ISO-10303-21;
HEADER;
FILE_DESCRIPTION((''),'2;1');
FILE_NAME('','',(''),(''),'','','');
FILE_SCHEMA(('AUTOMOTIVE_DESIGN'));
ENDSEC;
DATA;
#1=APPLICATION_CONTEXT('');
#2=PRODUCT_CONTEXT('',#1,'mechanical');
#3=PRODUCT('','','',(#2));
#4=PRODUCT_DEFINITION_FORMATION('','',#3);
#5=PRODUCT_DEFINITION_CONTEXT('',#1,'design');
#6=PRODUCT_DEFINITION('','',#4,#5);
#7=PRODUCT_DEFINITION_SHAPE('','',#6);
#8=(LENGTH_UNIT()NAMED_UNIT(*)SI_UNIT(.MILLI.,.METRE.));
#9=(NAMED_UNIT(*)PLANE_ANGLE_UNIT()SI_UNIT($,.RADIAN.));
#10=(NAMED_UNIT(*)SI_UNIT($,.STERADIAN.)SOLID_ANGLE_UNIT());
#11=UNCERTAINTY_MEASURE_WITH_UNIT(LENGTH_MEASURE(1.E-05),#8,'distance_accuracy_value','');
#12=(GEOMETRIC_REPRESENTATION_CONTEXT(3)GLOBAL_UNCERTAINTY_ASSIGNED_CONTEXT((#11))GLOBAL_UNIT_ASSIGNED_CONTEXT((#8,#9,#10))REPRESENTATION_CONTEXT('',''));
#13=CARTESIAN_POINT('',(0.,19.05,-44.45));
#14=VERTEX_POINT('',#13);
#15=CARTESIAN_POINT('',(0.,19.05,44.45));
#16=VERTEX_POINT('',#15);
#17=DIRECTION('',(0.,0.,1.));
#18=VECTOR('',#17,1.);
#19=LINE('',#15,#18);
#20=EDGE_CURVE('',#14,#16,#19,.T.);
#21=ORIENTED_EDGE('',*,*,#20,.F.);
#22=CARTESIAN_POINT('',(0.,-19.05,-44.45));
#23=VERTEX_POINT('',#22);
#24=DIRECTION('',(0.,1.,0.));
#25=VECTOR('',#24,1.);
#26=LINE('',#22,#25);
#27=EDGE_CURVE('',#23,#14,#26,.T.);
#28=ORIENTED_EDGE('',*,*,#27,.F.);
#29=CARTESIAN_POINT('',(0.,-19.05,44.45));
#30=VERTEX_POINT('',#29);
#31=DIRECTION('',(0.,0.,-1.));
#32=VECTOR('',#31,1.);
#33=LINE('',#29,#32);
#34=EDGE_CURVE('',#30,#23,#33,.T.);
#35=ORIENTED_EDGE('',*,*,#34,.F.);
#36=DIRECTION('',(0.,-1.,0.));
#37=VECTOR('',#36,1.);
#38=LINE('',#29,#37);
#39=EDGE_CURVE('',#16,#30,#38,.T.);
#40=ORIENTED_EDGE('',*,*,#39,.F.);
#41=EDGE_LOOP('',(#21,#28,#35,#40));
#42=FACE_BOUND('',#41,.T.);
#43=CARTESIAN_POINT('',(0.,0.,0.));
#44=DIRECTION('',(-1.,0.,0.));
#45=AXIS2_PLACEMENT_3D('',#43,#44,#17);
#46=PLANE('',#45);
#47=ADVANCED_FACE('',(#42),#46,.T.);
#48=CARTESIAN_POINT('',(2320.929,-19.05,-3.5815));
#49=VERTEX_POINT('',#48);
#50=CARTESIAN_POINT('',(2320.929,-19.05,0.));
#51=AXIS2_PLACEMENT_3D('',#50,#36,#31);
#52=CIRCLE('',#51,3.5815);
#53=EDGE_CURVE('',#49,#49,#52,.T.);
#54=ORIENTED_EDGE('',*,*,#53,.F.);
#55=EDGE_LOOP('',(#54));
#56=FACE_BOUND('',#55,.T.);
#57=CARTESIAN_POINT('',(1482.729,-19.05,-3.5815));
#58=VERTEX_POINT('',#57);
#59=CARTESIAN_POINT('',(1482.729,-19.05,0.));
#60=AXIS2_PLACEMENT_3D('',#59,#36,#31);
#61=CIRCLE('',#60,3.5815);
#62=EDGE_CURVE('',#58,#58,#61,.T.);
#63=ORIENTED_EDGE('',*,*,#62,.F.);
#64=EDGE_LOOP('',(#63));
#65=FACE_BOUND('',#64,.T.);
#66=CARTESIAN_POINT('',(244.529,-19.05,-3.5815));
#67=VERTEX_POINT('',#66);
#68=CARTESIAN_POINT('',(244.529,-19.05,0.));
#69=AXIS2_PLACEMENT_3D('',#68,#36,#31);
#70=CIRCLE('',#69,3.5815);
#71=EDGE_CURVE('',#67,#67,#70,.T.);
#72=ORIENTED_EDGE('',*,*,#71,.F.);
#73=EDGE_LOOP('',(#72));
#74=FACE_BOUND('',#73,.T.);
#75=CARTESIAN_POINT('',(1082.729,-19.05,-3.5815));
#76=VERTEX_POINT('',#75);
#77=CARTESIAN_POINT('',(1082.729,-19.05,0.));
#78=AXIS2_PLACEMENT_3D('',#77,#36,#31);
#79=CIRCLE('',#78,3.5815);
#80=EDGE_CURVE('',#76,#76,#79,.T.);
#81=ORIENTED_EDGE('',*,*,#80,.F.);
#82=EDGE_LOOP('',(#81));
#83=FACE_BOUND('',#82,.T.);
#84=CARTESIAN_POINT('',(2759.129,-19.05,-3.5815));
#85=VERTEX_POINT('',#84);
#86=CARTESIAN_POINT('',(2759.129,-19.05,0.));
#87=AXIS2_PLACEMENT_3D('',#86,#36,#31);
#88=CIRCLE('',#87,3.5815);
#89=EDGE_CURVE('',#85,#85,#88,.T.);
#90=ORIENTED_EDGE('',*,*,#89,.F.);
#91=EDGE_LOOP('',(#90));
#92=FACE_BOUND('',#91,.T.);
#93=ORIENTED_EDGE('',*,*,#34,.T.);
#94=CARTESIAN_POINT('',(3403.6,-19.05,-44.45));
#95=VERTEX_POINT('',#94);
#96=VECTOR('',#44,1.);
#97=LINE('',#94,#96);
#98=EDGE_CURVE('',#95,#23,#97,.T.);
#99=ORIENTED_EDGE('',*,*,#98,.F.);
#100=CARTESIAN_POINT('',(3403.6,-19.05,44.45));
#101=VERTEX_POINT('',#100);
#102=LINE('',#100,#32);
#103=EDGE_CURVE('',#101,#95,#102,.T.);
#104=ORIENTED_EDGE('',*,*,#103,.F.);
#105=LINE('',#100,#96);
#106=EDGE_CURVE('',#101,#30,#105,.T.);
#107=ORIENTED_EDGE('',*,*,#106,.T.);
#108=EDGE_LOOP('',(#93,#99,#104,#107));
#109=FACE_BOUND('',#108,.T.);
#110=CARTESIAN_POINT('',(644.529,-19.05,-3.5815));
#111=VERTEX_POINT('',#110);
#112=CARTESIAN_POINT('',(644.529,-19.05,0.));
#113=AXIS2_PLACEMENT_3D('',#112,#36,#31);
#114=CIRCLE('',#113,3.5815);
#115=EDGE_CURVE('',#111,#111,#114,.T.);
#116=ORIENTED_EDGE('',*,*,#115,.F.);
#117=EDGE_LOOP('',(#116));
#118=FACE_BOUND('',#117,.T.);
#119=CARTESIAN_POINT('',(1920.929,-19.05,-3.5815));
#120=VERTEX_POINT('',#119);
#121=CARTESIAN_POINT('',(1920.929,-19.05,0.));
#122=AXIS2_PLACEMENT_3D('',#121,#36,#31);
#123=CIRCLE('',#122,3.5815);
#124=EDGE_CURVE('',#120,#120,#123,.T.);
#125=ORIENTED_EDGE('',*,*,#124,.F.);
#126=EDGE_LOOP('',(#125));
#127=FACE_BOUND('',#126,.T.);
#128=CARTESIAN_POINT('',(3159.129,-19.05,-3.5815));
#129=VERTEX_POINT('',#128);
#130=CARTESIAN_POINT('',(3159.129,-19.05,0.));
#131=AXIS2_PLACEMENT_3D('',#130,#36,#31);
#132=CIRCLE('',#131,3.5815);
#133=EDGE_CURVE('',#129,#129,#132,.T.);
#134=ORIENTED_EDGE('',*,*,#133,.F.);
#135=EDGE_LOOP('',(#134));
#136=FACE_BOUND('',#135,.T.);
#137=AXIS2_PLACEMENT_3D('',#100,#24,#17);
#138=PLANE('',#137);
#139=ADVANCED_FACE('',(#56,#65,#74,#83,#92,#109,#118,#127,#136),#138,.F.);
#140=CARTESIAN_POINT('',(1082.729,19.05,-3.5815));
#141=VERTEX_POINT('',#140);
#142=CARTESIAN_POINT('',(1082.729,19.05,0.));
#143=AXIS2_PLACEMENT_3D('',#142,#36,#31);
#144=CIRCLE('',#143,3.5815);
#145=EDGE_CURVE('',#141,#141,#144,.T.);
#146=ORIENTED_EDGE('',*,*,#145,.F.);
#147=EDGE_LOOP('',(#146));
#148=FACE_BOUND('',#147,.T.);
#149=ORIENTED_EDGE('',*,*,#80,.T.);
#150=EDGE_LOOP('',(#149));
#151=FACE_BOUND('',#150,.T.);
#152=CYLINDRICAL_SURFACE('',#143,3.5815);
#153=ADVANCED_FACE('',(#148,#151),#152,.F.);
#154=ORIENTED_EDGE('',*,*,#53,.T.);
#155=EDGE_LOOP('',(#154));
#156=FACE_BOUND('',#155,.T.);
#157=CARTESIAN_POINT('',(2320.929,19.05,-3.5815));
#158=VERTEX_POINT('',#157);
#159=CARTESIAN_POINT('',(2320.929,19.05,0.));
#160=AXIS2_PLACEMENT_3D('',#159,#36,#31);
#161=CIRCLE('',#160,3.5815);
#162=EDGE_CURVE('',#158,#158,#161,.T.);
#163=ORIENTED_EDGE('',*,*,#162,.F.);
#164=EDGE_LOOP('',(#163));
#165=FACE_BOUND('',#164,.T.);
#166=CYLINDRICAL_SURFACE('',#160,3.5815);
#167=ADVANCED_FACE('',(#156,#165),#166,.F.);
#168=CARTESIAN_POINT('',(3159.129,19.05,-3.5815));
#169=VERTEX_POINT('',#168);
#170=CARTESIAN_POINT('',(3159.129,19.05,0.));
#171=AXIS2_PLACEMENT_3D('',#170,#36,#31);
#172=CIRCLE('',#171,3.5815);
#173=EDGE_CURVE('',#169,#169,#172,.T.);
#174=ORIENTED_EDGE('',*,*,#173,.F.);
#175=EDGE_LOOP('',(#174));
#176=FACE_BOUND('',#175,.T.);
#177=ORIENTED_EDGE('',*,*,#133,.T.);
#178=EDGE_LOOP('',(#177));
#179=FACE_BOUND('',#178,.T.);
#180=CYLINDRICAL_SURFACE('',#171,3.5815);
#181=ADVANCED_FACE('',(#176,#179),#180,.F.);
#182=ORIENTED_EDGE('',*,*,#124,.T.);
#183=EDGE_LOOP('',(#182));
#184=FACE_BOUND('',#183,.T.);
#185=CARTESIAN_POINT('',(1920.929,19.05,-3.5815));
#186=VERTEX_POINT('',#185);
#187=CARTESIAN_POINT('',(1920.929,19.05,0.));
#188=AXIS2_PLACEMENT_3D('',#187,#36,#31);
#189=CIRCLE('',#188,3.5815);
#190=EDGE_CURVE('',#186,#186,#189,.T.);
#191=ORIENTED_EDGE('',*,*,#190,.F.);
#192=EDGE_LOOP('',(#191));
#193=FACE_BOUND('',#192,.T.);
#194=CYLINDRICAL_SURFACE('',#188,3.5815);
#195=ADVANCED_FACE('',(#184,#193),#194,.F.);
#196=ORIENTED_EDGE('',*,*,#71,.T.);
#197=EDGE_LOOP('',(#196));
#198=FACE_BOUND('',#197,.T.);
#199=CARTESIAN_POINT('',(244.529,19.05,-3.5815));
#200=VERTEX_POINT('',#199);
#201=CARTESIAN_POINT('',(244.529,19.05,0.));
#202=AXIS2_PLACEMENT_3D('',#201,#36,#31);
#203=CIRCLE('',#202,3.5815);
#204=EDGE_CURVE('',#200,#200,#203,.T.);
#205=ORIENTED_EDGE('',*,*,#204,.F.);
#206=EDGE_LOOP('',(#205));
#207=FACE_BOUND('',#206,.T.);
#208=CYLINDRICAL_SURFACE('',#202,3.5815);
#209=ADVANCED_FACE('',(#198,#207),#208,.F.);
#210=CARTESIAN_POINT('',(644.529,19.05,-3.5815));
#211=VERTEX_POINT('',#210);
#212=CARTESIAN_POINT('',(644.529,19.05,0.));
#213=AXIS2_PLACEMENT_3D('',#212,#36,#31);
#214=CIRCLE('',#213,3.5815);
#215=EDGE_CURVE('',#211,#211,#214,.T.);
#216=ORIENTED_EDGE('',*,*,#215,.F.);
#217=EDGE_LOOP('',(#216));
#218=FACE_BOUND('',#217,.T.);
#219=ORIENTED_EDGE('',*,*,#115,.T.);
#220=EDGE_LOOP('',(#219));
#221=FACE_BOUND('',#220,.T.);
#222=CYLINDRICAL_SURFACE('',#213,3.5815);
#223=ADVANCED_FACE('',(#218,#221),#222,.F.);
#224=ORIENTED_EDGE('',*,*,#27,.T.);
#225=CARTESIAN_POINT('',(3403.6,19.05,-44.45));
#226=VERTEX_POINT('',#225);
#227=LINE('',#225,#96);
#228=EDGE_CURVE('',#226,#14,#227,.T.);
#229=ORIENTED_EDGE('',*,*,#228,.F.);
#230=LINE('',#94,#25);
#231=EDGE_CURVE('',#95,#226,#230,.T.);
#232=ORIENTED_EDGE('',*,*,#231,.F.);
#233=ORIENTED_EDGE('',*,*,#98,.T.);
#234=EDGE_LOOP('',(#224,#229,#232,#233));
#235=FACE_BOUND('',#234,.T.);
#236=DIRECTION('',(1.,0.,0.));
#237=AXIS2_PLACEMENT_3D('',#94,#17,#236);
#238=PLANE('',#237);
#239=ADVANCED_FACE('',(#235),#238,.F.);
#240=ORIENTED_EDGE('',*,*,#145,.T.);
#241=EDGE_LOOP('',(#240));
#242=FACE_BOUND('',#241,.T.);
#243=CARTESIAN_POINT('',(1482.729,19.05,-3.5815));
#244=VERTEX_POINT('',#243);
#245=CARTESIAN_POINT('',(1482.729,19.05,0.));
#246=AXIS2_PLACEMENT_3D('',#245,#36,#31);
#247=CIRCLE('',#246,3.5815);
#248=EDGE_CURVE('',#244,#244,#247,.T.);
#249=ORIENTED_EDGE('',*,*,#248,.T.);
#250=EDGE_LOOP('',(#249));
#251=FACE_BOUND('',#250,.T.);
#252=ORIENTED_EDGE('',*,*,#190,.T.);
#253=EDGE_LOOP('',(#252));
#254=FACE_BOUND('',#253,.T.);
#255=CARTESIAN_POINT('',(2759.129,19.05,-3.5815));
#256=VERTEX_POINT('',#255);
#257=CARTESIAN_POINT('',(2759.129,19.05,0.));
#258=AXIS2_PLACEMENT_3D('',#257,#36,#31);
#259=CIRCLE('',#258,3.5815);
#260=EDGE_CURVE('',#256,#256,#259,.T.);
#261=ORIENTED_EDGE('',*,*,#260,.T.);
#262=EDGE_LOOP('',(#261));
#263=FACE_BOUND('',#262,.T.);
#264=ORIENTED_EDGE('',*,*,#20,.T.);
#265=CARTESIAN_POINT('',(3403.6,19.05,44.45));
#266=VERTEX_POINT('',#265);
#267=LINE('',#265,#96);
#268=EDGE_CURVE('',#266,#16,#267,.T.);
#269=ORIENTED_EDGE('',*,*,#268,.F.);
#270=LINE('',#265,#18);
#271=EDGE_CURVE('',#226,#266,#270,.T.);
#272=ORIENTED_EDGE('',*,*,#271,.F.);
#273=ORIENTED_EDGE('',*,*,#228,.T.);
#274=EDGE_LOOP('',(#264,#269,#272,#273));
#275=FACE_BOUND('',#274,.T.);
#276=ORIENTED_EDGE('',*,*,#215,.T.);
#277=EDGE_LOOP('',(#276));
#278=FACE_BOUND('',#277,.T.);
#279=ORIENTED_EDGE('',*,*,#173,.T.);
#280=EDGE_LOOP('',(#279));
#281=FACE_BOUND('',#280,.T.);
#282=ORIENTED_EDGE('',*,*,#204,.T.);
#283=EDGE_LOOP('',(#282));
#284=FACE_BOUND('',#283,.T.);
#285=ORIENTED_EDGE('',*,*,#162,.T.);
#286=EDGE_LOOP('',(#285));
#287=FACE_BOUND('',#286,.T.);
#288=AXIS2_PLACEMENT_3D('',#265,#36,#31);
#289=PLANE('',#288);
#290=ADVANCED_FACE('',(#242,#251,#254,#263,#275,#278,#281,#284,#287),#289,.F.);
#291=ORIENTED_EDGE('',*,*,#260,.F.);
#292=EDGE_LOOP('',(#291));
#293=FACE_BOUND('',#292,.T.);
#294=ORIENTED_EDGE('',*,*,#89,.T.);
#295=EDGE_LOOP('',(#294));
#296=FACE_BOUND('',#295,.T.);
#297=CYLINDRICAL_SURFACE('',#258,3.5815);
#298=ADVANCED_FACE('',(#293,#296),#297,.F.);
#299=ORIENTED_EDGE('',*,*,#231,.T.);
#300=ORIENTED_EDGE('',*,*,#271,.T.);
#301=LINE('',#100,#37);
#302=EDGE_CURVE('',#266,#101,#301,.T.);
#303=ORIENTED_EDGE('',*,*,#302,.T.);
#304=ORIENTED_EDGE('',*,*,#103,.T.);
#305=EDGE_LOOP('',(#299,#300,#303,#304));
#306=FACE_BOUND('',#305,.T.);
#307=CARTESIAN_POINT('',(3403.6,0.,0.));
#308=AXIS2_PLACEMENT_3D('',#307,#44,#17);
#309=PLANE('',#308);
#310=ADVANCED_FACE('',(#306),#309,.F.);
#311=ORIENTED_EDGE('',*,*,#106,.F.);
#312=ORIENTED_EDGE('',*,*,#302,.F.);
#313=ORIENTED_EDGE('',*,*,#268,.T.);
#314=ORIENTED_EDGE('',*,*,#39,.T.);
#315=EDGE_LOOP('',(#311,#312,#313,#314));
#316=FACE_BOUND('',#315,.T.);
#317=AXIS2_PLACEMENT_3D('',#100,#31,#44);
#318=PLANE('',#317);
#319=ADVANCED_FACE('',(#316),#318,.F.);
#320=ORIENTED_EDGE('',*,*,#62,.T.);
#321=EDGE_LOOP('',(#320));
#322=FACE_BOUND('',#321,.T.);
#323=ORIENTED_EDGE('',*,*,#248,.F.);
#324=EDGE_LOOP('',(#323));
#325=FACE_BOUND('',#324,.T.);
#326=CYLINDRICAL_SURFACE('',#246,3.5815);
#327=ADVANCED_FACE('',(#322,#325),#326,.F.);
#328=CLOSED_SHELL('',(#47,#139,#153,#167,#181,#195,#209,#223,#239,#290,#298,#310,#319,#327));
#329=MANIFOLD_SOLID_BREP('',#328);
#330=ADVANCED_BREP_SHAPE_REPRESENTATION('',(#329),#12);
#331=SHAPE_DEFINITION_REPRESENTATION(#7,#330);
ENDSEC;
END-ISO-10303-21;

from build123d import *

# Parameters (mm, degrees)
SKETCH1_W           = 88.9
SKETCH1_H           = 38.1
BOSS_EXTRUDE1_DEPTH = 3403.6
SKETCH2_R           = 3.5815
CUT_EXTRUDE1_DEPTH  = 39.1


with BuildPart() as part:
    # Sketch1 → Boss-Extrude1 (new body)
    with BuildSketch(Plane(origin=(0, 0, 0), x_dir=(0, 0, -1), z_dir=(1, 0, 0))):
        Rectangle(SKETCH1_W, SKETCH1_H)
    extrude(amount=BOSS_EXTRUDE1_DEPTH)

    # Sketch2 → Cut-Extrude1 (cut, through all)
    with BuildSketch(Plane.XZ.offset(19.05)):
        with Locations((244.529, 0)):
            Circle(SKETCH2_R)
        with Locations((644.529, 0)):
            Circle(SKETCH2_R)
        with Locations((1082.729, 0)):
            Circle(SKETCH2_R)
        with Locations((1482.729, 0)):
            Circle(SKETCH2_R)
        with Locations((1920.929, 0)):
            Circle(SKETCH2_R)
        with Locations((2320.929, 0)):
            Circle(SKETCH2_R)
        with Locations((2759.129, 0)):
            Circle(SKETCH2_R)
        with Locations((3159.129, 0)):
            Circle(SKETCH2_R)
    extrude(amount=-CUT_EXTRUDE1_DEPTH, mode=Mode.SUBTRACT)


solid = part.part
